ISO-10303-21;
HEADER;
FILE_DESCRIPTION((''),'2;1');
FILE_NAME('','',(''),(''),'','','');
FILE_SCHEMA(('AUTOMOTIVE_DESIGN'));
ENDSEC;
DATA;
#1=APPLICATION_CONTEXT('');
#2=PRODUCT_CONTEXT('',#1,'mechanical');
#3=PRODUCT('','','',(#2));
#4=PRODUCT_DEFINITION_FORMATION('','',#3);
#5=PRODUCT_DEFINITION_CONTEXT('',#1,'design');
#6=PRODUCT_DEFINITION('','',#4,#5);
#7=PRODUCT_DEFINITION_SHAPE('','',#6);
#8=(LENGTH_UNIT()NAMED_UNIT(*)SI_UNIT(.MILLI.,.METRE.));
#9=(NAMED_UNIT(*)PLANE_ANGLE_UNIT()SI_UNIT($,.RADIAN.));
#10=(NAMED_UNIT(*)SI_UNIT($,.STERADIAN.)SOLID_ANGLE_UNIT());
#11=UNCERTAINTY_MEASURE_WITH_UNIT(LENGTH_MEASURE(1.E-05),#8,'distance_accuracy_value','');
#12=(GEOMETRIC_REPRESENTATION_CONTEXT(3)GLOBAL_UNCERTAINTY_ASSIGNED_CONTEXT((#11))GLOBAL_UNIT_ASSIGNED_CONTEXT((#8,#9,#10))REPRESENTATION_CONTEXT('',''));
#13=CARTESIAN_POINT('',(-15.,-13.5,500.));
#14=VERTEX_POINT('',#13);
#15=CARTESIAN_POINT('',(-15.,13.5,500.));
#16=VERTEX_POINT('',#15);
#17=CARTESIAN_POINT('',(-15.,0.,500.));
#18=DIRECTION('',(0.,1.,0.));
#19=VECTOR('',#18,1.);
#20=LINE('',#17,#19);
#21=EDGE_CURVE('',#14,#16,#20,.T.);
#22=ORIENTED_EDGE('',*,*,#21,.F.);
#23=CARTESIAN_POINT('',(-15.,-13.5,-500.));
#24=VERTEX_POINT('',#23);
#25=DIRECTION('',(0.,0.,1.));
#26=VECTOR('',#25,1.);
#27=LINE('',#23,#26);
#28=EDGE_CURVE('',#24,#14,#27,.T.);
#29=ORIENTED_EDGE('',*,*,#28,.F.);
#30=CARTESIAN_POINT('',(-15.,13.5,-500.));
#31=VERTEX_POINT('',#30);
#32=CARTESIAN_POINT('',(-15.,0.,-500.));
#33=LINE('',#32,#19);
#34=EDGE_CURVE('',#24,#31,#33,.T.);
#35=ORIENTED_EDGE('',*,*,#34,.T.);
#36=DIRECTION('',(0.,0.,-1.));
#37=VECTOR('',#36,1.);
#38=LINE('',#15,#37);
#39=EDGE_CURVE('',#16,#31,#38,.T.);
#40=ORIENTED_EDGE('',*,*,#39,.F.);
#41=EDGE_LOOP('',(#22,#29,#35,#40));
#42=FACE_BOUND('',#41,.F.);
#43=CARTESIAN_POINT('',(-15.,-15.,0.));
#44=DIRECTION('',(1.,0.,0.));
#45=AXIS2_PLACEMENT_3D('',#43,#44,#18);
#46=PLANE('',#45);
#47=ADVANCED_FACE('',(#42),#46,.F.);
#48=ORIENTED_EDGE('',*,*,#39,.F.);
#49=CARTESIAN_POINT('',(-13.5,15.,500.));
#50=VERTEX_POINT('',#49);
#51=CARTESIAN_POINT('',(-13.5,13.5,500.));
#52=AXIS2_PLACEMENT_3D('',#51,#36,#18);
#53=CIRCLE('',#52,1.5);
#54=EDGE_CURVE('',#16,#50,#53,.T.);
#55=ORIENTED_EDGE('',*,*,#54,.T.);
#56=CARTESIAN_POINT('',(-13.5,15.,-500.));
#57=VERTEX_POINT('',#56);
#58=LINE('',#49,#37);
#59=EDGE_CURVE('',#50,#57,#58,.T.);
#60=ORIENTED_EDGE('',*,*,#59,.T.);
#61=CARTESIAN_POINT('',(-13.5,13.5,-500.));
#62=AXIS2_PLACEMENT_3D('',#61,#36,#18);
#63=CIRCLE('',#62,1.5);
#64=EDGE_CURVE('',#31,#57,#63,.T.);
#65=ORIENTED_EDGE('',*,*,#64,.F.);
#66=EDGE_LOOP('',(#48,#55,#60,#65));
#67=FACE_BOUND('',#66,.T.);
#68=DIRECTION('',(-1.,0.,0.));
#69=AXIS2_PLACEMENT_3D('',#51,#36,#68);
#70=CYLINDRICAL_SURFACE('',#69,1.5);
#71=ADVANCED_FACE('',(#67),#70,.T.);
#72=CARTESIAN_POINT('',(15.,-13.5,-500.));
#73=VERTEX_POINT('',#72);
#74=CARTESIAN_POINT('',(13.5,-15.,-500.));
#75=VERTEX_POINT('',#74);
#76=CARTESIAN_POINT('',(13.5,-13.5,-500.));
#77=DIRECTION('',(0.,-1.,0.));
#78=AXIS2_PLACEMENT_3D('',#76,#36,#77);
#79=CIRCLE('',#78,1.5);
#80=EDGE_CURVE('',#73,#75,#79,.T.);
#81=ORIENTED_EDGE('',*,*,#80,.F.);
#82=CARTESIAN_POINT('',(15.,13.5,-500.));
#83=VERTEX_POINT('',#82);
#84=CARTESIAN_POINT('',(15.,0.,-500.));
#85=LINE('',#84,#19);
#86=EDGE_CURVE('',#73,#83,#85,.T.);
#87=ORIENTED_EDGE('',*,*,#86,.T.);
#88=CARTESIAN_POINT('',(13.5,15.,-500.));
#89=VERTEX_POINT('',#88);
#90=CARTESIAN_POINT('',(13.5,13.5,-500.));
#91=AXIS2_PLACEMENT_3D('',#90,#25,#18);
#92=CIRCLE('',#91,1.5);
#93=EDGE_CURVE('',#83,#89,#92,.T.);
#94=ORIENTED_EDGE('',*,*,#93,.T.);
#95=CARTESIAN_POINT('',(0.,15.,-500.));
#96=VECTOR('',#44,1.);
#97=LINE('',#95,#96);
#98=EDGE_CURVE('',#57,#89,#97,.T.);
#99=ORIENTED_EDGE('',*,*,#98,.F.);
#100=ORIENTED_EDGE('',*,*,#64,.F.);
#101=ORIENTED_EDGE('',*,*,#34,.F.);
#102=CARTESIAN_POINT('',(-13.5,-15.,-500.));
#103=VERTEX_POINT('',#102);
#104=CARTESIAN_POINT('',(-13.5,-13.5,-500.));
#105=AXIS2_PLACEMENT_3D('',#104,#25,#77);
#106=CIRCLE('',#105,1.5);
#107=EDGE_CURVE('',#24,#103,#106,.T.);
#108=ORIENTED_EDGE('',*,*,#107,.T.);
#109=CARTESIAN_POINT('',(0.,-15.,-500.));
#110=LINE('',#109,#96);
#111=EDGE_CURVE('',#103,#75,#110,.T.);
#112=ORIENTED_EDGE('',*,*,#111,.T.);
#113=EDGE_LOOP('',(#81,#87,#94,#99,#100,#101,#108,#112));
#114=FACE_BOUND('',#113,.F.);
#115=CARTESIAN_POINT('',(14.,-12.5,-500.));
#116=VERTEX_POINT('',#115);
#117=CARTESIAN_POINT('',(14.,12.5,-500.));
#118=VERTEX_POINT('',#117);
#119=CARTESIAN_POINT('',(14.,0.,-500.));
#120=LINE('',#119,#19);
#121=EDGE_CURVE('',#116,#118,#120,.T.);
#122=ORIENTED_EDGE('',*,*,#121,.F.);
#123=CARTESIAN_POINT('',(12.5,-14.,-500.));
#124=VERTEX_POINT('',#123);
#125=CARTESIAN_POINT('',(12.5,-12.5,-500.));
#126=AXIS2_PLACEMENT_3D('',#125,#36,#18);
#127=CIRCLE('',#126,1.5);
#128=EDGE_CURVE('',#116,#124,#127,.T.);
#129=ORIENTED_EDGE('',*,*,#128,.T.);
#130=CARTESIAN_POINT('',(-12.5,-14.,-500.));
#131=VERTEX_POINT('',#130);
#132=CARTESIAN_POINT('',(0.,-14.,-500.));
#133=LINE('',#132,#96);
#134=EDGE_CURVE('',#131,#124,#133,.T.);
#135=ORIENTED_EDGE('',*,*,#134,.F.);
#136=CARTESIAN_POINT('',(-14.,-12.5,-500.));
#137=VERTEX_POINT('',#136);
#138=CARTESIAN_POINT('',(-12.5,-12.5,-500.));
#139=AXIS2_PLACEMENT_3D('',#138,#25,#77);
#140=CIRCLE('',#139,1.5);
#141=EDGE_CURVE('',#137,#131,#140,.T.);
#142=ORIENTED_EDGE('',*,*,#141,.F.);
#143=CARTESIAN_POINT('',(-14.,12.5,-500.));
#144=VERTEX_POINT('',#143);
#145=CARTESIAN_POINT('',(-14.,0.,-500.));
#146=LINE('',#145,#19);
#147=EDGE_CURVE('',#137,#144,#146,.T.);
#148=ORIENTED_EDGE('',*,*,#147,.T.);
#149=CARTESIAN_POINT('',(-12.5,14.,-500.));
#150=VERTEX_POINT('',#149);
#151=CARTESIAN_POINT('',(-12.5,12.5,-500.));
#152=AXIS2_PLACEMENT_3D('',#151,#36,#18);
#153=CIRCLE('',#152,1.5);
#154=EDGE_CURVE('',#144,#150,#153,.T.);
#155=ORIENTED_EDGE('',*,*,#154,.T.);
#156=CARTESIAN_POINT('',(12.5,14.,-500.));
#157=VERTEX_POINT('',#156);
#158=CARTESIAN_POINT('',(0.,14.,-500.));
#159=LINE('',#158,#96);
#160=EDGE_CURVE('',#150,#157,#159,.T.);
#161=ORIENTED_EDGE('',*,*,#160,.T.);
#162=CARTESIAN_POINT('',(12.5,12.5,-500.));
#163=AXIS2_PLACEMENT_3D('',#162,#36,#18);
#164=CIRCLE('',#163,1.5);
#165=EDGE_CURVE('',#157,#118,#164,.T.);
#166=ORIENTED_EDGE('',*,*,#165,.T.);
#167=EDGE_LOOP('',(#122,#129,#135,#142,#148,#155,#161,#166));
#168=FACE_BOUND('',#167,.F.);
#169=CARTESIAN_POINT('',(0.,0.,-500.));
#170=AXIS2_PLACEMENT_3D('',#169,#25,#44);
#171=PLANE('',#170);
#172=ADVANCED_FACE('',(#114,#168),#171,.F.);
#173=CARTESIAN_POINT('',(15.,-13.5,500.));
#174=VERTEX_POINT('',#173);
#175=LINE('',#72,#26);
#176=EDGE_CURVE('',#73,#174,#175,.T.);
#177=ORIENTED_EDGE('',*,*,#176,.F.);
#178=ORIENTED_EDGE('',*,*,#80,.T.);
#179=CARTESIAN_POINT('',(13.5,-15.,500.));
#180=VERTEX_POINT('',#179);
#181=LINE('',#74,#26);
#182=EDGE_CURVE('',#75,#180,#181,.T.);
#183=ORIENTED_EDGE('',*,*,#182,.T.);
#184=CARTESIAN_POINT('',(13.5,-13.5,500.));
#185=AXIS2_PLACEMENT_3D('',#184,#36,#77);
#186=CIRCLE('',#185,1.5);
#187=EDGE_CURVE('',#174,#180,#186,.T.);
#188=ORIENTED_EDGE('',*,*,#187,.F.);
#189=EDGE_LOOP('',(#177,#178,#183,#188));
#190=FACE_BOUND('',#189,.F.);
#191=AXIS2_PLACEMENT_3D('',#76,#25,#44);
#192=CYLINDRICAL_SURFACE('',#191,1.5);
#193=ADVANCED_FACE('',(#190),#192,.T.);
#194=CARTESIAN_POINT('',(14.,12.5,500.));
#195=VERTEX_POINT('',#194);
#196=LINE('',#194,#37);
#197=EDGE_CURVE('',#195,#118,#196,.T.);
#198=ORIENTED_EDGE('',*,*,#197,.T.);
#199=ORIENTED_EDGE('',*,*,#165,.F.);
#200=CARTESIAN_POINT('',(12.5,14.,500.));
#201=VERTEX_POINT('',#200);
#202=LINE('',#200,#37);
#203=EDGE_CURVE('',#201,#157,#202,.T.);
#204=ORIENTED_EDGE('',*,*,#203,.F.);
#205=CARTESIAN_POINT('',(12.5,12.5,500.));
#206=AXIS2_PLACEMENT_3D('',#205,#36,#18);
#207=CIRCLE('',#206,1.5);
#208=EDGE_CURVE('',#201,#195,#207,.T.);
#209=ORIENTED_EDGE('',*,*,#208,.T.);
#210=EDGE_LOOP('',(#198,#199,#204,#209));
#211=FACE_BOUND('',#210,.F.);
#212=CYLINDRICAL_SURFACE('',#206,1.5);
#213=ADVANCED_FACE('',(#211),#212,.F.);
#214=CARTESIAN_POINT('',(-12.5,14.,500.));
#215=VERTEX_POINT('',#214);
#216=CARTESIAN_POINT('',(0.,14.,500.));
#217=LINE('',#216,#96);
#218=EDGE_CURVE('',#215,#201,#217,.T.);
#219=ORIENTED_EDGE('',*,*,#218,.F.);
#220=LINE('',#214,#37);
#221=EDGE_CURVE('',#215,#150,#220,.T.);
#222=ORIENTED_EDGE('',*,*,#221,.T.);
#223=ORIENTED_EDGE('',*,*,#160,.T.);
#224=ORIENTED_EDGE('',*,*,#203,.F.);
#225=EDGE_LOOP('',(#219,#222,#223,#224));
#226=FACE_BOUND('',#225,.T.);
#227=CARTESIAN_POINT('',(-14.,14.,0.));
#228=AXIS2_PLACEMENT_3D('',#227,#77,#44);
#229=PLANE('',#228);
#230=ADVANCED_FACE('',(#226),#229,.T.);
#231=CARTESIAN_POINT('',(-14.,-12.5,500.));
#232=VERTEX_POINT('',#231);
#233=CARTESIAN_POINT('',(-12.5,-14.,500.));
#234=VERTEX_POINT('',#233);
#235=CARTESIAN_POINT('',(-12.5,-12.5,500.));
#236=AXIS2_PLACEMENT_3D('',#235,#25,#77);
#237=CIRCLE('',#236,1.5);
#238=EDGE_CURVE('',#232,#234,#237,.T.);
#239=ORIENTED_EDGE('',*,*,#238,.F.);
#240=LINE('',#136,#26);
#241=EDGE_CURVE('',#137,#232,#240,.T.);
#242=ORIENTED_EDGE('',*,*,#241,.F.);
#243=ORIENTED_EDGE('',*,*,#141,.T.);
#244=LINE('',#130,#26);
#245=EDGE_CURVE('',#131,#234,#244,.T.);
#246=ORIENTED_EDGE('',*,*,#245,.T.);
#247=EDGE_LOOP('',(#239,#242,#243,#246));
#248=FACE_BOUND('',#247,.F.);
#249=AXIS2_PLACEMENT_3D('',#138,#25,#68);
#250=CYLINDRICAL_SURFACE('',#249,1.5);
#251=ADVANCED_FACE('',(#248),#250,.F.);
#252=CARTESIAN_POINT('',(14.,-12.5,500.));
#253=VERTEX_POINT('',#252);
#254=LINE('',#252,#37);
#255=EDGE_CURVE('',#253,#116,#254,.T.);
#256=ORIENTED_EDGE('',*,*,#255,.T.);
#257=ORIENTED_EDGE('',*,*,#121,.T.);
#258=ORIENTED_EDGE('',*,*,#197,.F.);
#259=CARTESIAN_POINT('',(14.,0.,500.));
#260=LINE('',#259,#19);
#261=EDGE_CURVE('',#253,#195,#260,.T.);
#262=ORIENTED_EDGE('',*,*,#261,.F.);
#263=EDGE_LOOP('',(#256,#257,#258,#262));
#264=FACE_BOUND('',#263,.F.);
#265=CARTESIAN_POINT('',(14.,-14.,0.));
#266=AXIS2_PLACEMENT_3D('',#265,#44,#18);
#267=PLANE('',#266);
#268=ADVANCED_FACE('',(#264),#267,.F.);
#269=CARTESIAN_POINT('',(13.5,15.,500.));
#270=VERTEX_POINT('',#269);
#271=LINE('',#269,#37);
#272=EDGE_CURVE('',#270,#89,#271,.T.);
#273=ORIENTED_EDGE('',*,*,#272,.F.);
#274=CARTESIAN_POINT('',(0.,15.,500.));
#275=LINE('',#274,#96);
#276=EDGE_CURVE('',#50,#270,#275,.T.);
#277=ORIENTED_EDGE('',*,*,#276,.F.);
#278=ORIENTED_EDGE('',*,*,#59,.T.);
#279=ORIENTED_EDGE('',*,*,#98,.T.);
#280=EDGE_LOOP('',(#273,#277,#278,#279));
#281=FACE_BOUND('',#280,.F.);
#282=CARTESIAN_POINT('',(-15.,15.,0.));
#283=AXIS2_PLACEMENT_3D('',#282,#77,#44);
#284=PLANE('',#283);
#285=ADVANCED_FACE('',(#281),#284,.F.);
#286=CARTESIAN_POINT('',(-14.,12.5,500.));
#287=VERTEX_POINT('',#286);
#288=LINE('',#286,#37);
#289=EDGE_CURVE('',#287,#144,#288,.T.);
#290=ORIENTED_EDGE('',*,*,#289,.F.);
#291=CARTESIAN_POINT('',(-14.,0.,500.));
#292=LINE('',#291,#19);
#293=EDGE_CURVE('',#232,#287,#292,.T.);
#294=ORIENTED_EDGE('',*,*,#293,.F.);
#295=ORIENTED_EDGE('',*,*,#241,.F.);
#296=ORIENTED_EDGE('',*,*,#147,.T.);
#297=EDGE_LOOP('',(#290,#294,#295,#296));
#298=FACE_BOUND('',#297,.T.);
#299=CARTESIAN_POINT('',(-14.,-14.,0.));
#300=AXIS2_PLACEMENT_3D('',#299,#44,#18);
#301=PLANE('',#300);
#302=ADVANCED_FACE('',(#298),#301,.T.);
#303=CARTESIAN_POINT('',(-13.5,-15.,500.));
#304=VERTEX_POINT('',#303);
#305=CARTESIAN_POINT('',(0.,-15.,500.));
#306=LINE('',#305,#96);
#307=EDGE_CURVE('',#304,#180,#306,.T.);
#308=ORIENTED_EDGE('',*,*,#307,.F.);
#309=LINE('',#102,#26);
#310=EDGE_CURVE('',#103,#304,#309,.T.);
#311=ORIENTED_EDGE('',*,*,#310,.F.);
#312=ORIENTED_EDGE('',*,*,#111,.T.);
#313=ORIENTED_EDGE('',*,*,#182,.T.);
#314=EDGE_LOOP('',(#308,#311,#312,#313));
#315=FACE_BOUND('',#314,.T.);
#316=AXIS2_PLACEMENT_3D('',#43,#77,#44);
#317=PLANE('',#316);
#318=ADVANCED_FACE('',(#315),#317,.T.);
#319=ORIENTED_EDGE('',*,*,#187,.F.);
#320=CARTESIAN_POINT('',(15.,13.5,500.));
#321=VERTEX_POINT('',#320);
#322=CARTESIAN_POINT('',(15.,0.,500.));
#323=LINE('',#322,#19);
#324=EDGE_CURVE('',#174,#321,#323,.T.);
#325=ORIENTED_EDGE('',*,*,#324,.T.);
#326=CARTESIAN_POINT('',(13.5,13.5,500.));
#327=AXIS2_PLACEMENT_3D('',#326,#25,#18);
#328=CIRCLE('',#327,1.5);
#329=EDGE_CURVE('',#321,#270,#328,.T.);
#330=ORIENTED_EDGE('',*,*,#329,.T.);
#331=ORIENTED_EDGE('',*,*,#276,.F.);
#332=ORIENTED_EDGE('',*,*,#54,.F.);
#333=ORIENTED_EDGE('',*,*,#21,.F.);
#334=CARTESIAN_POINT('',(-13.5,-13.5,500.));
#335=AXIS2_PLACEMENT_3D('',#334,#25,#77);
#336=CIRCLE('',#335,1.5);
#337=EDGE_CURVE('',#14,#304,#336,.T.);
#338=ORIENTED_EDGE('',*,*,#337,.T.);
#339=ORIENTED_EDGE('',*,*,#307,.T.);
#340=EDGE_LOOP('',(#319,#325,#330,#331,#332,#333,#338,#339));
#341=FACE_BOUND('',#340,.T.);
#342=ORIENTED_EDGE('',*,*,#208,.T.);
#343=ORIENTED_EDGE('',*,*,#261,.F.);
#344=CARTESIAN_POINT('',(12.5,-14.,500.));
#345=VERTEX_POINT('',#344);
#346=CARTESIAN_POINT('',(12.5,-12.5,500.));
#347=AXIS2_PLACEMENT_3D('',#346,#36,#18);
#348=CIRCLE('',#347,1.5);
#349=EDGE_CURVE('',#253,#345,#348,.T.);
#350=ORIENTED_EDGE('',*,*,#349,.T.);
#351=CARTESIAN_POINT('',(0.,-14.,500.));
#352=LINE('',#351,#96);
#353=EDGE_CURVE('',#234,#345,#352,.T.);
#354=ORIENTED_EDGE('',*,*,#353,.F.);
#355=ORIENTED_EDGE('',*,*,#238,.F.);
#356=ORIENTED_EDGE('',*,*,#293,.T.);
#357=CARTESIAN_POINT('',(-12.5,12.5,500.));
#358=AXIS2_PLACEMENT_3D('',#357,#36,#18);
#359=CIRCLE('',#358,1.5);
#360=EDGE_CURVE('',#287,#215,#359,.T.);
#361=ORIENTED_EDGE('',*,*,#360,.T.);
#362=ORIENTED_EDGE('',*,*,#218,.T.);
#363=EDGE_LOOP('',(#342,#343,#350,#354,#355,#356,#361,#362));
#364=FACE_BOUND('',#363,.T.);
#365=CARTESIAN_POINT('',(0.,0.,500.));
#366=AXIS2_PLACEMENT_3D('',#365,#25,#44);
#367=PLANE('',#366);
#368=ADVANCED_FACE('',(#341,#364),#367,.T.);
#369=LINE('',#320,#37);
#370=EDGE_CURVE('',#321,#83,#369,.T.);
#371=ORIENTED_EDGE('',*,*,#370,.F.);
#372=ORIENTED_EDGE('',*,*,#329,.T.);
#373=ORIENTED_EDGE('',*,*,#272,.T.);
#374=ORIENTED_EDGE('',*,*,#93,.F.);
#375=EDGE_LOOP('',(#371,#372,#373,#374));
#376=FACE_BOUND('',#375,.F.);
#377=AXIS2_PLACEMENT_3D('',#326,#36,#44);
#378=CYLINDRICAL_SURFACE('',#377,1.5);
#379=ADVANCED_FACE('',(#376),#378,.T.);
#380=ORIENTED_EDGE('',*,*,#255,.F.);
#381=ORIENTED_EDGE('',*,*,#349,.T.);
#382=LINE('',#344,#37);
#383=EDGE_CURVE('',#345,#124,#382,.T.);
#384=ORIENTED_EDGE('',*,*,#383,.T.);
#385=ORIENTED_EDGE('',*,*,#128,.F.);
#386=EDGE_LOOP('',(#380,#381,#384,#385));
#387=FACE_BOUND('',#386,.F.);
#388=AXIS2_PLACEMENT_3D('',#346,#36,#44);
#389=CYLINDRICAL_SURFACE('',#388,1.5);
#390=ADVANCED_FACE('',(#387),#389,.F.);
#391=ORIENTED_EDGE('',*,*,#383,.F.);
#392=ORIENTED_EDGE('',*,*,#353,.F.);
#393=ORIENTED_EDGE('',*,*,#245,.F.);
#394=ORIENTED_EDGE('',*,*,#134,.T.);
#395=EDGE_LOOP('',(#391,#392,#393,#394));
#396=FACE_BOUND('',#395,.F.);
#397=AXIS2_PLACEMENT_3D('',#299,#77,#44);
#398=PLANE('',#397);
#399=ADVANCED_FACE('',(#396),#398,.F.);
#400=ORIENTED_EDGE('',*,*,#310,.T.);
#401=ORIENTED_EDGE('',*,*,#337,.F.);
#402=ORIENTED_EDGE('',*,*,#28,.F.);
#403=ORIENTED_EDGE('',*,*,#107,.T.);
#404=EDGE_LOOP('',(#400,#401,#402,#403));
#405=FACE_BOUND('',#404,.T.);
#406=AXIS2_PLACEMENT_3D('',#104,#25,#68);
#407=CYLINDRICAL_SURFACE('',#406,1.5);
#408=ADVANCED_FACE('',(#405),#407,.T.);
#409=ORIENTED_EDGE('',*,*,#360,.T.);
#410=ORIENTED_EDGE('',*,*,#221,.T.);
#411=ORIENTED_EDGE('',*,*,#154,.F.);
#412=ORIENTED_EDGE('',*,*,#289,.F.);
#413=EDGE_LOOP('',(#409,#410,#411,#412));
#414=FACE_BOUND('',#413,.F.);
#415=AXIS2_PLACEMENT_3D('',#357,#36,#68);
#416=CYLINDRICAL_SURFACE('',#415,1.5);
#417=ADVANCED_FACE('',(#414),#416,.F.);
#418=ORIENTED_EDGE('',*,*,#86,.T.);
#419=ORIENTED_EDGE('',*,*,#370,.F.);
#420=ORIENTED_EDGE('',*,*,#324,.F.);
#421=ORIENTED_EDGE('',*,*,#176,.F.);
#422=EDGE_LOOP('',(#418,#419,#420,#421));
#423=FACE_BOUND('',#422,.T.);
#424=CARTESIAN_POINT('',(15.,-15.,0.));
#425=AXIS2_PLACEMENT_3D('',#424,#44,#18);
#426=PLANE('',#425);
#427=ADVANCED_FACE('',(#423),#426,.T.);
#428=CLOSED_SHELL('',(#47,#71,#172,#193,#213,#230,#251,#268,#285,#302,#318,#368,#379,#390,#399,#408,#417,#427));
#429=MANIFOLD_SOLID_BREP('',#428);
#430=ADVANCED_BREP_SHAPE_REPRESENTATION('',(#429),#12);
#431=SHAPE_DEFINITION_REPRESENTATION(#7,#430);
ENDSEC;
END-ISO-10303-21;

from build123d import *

# Parameters (mm, degrees)
F0_W     = 30
F0_H     = 30
F0_W_2   = 28
F0_H_2   = 28
F1_DEPTH = 500
F2_R     = 1.5


with BuildPart() as f1:
    # F0 (on Top) → F1 (new body, symmetric)
    with BuildSketch(Plane.XY):
        Rectangle(F0_W, F0_H)
        Rectangle(F0_W_2, F0_H_2, mode=Mode.SUBTRACT)
    extrude(amount=F1_DEPTH, both=True)

    # F2
    f2_edges = [f1.edges().sort_by_distance(p)[0] for p in [
        (14, 14, 0),
        (-14, 14, 0),
        (-14, -14, 0),
        (14, -14, 0),
        (-15, 15, 0),
        (-15, -15, 0),
        (15, 15, 0),
        (15, -15, 0),
    ]]
    fillet(f2_edges, radius=F2_R)


solid = f1.part
